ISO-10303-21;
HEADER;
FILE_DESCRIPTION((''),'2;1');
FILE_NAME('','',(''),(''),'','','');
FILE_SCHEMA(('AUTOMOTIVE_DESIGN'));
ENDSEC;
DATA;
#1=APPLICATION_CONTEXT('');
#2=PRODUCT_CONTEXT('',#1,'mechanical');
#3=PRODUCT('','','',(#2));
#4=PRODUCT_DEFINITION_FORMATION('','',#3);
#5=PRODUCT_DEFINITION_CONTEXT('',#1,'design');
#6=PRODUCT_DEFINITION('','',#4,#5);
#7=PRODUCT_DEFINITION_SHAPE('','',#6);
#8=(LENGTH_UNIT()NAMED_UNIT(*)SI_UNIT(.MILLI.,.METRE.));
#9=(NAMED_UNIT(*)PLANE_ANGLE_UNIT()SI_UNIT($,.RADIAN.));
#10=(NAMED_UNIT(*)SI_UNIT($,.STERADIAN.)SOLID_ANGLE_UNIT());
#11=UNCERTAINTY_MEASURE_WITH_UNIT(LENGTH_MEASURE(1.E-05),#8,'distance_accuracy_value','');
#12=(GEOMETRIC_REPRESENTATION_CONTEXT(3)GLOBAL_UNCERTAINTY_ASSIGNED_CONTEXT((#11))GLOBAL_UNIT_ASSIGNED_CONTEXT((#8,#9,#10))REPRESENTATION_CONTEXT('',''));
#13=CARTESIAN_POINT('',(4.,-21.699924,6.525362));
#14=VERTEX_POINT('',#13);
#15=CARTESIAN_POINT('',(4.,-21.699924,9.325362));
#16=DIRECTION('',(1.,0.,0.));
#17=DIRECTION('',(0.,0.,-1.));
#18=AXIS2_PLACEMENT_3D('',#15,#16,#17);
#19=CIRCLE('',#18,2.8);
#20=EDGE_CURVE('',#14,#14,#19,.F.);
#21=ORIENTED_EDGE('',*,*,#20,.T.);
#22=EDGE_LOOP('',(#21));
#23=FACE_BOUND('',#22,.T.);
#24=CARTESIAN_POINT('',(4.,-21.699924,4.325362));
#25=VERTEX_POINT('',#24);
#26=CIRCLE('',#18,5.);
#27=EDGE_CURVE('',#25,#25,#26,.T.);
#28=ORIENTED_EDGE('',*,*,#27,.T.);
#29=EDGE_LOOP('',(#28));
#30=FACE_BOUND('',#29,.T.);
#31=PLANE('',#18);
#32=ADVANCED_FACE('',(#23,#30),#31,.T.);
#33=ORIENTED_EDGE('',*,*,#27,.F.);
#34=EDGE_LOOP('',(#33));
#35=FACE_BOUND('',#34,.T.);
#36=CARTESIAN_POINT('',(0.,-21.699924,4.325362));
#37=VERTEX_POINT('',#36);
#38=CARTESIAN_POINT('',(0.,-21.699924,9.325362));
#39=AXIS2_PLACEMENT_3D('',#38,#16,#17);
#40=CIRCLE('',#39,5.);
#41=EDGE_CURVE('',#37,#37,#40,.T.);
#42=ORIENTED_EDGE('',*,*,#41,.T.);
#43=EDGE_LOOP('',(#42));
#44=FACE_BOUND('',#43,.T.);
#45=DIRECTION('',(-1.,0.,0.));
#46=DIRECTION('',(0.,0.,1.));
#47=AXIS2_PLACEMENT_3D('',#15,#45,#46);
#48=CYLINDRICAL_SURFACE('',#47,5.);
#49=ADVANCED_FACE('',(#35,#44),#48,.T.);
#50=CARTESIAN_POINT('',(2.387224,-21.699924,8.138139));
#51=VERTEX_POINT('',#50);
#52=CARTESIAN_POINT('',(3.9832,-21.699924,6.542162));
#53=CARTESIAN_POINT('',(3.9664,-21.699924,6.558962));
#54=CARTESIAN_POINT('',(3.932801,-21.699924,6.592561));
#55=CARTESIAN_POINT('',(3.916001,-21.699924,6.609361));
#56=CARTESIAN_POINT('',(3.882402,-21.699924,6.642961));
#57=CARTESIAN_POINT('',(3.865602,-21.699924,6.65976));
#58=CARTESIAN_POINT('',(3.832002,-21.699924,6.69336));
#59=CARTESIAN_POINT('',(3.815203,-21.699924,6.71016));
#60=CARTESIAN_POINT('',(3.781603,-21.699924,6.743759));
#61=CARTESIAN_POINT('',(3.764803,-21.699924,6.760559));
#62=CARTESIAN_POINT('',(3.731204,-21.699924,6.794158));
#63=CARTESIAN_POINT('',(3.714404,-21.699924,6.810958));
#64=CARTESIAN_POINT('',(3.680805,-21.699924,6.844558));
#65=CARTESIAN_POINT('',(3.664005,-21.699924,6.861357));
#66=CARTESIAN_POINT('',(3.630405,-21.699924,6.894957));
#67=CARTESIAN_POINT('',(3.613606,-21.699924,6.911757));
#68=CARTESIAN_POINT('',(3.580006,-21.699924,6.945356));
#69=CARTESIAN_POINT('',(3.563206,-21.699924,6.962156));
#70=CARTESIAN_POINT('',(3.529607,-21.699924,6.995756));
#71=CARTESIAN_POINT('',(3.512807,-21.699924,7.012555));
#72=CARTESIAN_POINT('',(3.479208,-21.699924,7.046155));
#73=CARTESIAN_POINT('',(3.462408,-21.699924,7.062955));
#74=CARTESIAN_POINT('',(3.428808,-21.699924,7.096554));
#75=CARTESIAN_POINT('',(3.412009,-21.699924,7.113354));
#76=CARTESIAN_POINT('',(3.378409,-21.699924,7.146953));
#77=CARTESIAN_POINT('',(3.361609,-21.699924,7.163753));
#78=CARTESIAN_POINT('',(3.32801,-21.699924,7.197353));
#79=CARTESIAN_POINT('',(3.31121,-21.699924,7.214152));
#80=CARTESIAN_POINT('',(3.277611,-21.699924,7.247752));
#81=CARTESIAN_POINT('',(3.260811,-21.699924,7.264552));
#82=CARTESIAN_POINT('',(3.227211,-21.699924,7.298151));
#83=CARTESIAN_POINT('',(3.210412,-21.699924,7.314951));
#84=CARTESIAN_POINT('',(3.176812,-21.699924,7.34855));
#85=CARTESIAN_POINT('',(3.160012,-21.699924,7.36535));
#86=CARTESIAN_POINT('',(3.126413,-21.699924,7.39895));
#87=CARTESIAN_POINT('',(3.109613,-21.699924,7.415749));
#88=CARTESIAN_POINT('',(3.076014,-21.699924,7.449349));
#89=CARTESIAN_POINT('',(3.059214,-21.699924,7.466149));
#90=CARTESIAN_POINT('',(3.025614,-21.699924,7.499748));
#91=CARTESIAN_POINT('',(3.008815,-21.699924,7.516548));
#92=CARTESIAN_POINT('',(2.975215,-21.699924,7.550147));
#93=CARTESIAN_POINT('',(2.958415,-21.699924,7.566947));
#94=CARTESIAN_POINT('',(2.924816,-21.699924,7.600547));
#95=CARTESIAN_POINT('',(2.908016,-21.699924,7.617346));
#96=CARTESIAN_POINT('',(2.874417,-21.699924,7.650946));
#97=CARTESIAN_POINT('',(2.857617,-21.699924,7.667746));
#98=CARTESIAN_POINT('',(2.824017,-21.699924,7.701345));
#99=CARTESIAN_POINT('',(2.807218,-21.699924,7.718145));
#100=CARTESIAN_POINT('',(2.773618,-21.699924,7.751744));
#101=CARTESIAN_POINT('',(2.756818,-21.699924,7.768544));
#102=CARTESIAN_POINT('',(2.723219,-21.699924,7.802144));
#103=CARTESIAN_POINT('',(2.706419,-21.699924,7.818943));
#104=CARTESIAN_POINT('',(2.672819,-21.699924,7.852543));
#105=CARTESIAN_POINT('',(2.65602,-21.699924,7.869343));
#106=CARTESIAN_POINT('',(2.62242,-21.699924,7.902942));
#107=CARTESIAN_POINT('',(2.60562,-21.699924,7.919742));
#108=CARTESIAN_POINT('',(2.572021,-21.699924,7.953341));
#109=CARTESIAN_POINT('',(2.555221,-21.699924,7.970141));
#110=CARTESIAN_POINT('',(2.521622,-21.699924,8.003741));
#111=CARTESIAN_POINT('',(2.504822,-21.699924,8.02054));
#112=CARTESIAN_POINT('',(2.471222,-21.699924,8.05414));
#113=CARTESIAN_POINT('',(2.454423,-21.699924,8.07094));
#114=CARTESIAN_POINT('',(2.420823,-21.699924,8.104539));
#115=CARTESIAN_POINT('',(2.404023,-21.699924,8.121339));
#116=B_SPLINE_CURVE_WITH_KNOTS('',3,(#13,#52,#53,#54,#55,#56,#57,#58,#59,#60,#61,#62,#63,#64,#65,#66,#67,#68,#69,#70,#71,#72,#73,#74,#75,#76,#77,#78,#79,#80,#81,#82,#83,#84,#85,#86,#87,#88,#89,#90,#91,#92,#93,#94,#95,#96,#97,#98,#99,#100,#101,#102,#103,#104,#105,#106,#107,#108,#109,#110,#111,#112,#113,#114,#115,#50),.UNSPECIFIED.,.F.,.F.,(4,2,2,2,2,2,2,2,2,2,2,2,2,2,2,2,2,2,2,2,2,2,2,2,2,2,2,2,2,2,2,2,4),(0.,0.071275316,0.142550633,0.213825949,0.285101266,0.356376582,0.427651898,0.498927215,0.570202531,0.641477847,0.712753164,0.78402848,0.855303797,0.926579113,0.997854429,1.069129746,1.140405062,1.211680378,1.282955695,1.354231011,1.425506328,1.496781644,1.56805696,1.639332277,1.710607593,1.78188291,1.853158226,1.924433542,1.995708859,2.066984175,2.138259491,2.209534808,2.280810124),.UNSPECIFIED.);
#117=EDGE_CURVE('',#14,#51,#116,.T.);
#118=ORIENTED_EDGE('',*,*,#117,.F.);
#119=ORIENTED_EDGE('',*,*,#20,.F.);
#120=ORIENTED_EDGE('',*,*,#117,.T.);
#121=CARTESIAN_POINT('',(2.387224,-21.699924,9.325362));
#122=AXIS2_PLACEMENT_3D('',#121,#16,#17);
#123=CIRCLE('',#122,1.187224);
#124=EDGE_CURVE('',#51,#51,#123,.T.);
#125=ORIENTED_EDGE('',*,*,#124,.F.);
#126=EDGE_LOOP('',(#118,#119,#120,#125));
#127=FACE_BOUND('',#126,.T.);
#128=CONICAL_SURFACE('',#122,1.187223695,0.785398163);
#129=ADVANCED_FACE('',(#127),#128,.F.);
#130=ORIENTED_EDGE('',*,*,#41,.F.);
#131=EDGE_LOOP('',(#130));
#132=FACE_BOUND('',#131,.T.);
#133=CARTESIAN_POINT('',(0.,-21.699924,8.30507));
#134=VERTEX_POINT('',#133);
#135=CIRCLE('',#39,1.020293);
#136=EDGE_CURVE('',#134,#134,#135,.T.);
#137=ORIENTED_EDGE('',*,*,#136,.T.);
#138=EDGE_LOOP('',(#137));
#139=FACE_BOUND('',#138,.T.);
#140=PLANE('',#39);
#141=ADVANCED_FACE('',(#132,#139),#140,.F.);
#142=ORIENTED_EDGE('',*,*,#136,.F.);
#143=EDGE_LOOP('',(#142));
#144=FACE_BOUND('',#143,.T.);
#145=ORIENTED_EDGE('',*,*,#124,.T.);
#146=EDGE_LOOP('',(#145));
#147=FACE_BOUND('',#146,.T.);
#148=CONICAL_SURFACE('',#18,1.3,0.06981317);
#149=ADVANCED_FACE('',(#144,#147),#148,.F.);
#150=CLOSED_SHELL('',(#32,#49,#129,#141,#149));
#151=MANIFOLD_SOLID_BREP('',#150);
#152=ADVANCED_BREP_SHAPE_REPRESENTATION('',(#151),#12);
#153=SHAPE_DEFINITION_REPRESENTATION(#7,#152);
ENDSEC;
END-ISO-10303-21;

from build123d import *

# Parameters (mm, degrees)
SKETCH_1_R      = 5
EXTRUDE_1_DEPTH = 4
CHAMFER_1_SIZE  = 1.5
CHAMFER_1_SIZE2 = 1.616714541


with BuildPart() as part:
    # 草图1 → 凸台-拉伸1 (new body)
    with BuildSketch(Plane(origin=(0, 0, 0), x_dir=(0, 0, -1), z_dir=(1, 0, 0))):
        with Locations((-9.325362428, -21.699923803)):
            Circle(SKETCH_1_R)
    extrude(amount=EXTRUDE_1_DEPTH)

    # 切除-拉伸1 cone 1 section (through the dimple's axis) → 切除-拉伸1 (revolve, cut)
    with BuildSketch(Plane(origin=(4, -21.699923803, 9.325362428), x_dir=(0, 0, -1), z_dir=(0, 1, 0))):
        Polygon((0, 0), (1.3, 0), (0, 18.590866134), align=None)
    revolve(axis=Axis((4, -21.699923803, 9.325362428), (-1, 0, 0)), mode=Mode.SUBTRACT)

    # 倒角1
    chamfer_1_edges = [part.edges().sort_by_distance(p)[0] for p in [
        (4, -21.699923803, 10.625362428),
    ]]
    chamfer_1_side = [part.faces().sort_by_distance(p)[0] for p in [
        (4, -21.699923803, 14.183941072),
    ]]
    chamfer(chamfer_1_edges, length=CHAMFER_1_SIZE, length2=CHAMFER_1_SIZE2, reference=chamfer_1_side[0])


solid = part.part
